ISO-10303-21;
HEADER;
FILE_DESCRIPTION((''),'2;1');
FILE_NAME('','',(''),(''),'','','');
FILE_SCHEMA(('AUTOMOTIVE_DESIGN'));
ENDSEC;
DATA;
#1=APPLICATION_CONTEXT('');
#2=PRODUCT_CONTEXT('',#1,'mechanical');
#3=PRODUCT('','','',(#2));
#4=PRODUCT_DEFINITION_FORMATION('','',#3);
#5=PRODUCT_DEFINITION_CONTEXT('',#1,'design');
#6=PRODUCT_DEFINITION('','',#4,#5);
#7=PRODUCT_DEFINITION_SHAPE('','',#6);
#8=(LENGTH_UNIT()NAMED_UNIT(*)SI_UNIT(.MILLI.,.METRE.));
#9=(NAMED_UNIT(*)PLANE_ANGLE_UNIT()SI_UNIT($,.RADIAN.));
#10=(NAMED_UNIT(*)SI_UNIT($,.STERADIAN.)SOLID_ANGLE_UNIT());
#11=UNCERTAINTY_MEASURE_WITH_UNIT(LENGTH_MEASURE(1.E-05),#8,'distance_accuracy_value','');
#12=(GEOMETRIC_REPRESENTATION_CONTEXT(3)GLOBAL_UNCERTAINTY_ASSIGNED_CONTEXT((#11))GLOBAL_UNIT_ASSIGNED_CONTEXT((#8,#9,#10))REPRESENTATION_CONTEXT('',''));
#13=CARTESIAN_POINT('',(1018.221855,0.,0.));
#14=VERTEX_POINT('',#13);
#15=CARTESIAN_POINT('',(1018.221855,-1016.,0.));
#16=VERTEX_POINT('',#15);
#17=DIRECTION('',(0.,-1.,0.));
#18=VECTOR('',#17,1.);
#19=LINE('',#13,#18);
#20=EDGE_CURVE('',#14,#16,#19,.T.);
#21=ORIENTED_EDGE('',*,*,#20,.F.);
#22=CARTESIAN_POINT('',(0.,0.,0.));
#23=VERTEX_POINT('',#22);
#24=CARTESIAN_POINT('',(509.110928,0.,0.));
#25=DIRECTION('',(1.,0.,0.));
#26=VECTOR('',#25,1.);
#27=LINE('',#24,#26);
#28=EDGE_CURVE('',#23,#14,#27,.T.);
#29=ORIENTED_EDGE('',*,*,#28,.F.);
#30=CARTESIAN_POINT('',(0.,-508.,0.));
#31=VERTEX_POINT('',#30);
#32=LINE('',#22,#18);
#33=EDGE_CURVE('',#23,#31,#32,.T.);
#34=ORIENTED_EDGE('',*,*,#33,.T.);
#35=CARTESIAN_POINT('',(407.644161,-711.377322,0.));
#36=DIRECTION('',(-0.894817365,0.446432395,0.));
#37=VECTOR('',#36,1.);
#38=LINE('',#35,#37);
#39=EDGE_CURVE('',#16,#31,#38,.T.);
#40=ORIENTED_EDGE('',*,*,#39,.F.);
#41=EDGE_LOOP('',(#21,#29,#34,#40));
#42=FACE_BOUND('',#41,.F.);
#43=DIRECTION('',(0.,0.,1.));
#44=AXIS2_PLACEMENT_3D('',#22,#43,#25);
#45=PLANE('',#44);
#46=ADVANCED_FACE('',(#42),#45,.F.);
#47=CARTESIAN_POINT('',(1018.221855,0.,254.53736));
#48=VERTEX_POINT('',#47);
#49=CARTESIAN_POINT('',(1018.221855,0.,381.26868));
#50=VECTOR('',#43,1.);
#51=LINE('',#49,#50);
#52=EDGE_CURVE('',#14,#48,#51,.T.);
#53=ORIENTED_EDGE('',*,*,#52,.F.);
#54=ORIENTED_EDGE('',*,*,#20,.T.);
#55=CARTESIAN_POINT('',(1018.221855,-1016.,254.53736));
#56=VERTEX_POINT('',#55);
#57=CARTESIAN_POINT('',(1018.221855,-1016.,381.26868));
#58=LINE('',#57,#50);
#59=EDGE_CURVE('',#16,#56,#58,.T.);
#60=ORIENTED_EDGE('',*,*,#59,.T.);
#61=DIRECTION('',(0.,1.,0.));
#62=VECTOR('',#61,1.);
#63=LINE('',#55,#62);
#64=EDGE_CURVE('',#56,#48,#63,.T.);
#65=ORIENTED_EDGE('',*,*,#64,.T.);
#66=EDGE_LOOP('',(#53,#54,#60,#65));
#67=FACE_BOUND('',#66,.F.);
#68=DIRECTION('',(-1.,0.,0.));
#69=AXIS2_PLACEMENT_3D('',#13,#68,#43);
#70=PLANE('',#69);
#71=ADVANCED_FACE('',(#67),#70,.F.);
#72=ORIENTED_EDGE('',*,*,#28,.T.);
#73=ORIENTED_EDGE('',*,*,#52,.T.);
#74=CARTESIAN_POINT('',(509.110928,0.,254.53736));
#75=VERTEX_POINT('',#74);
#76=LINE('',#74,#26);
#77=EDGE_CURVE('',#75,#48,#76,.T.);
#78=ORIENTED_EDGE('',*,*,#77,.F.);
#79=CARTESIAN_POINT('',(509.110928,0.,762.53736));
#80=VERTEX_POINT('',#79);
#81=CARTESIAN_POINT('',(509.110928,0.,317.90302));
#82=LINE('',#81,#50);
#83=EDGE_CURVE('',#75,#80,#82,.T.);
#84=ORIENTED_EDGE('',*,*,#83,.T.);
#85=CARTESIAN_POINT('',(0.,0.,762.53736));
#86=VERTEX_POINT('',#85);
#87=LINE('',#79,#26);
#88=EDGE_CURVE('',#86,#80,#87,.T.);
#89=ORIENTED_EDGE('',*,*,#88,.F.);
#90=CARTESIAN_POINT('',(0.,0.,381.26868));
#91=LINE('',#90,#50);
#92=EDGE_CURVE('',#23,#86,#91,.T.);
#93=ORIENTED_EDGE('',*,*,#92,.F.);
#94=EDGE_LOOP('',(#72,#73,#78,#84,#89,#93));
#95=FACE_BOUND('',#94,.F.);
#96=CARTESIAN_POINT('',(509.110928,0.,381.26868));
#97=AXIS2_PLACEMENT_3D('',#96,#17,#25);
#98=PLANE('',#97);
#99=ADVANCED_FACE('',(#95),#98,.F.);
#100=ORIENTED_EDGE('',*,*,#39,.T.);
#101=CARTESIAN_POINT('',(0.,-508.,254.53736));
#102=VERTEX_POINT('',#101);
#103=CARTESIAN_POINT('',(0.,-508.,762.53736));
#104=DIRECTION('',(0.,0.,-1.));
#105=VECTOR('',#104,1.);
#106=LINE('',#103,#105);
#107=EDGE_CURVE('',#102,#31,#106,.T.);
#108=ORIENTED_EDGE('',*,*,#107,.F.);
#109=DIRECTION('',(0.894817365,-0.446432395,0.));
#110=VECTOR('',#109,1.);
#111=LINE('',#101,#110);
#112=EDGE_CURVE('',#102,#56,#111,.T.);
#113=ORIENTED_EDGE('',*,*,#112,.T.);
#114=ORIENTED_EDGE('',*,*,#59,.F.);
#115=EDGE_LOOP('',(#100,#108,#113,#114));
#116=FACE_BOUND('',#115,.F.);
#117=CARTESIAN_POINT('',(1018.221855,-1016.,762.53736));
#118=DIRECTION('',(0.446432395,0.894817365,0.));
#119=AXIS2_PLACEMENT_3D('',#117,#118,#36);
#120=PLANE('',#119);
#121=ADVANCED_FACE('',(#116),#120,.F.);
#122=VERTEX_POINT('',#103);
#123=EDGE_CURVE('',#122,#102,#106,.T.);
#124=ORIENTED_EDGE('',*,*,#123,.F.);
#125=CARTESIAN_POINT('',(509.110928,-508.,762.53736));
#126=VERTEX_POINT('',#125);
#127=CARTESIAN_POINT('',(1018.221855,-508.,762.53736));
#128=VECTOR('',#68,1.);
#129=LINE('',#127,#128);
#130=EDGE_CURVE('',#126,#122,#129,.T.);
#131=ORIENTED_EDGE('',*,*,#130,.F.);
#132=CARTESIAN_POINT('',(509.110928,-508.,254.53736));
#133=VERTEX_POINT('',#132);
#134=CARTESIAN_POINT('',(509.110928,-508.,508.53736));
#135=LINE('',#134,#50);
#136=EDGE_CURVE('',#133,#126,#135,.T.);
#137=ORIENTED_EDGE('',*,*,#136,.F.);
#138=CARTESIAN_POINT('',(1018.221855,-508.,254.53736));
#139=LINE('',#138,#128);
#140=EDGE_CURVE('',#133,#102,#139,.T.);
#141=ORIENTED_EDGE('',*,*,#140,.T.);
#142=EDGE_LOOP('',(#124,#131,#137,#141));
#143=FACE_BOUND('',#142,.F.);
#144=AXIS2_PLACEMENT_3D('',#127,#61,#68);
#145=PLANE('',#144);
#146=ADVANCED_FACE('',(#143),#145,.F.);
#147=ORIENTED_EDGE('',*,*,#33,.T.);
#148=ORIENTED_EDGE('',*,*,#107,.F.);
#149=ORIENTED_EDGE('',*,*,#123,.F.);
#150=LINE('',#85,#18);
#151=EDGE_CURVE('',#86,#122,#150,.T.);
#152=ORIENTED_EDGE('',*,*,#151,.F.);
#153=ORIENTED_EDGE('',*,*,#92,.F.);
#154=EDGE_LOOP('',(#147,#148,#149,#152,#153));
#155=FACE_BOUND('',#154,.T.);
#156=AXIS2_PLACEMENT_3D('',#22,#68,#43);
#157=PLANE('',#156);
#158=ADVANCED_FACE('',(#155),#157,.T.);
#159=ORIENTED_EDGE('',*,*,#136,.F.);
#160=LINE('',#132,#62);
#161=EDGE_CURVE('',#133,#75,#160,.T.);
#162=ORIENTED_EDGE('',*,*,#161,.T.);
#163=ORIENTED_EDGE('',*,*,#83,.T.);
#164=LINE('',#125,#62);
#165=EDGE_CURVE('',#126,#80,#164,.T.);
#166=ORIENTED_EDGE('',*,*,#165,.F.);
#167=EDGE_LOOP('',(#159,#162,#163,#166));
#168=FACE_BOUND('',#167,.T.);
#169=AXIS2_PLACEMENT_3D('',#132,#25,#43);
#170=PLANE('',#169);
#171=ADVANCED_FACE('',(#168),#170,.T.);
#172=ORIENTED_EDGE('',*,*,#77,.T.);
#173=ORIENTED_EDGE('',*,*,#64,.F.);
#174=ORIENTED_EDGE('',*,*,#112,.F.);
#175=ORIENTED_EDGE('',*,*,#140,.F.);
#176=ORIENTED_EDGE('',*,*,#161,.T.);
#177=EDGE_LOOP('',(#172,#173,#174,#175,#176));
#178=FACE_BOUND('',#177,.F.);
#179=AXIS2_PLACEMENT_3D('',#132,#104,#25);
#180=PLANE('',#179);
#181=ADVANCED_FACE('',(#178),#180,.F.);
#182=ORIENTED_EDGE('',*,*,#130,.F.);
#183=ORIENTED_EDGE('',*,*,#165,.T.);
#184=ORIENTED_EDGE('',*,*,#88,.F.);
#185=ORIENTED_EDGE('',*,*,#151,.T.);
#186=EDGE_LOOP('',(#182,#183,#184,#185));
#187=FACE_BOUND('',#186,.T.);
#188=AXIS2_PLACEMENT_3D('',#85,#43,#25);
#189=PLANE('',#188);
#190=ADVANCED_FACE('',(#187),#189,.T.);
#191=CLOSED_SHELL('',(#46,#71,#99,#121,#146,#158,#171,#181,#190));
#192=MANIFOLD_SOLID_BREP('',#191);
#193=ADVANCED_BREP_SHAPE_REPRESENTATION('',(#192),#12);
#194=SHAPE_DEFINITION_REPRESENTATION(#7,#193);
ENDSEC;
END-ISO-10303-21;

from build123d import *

# Parameters (mm, degrees)
F0_W     = 1018.2218551636
F0_H     = 762.5373601913
F1_DEPTH = 1016
F3_DEPTH = 784.86
F5_DEPTH = 508
F6_W     = 509.1109275818
F6_H     = 508
F7_DEPTH = 543.56


with BuildPart() as f1:
    # F0 (on Front) → F1 (new body)
    with BuildSketch(Plane.XZ):
        with Locations((509.1109275818, 381.2686800957)):
            Rectangle(F0_W, F0_H)
    extrude(amount=F1_DEPTH)

    # F2 (on face) → F3 (cut)
    with BuildSketch(Plane.XY.offset(762.5373601913)):
        Polygon((1018.2218551636, -1016), (0, -508), (0, -1016), align=None)
    extrude(amount=-F3_DEPTH, mode=Mode.SUBTRACT)

    # F4 (on face) → F5 (cut)
    with BuildSketch(Plane.XY.offset(762.5373601913)):
        Polygon((1018.2218551636, -508), (0, -508), (1018.2218551636, -1016), align=None)
    extrude(amount=-F5_DEPTH, mode=Mode.SUBTRACT)

    # F6 (on face) → F7 (cut)
    with BuildSketch(Plane.XZ.offset(508)):
        with Locations((763.6663913727, 508.5373601913)):
            Rectangle(F6_W, F6_H)
    extrude(amount=-F7_DEPTH, mode=Mode.SUBTRACT)


solid = f1.part
